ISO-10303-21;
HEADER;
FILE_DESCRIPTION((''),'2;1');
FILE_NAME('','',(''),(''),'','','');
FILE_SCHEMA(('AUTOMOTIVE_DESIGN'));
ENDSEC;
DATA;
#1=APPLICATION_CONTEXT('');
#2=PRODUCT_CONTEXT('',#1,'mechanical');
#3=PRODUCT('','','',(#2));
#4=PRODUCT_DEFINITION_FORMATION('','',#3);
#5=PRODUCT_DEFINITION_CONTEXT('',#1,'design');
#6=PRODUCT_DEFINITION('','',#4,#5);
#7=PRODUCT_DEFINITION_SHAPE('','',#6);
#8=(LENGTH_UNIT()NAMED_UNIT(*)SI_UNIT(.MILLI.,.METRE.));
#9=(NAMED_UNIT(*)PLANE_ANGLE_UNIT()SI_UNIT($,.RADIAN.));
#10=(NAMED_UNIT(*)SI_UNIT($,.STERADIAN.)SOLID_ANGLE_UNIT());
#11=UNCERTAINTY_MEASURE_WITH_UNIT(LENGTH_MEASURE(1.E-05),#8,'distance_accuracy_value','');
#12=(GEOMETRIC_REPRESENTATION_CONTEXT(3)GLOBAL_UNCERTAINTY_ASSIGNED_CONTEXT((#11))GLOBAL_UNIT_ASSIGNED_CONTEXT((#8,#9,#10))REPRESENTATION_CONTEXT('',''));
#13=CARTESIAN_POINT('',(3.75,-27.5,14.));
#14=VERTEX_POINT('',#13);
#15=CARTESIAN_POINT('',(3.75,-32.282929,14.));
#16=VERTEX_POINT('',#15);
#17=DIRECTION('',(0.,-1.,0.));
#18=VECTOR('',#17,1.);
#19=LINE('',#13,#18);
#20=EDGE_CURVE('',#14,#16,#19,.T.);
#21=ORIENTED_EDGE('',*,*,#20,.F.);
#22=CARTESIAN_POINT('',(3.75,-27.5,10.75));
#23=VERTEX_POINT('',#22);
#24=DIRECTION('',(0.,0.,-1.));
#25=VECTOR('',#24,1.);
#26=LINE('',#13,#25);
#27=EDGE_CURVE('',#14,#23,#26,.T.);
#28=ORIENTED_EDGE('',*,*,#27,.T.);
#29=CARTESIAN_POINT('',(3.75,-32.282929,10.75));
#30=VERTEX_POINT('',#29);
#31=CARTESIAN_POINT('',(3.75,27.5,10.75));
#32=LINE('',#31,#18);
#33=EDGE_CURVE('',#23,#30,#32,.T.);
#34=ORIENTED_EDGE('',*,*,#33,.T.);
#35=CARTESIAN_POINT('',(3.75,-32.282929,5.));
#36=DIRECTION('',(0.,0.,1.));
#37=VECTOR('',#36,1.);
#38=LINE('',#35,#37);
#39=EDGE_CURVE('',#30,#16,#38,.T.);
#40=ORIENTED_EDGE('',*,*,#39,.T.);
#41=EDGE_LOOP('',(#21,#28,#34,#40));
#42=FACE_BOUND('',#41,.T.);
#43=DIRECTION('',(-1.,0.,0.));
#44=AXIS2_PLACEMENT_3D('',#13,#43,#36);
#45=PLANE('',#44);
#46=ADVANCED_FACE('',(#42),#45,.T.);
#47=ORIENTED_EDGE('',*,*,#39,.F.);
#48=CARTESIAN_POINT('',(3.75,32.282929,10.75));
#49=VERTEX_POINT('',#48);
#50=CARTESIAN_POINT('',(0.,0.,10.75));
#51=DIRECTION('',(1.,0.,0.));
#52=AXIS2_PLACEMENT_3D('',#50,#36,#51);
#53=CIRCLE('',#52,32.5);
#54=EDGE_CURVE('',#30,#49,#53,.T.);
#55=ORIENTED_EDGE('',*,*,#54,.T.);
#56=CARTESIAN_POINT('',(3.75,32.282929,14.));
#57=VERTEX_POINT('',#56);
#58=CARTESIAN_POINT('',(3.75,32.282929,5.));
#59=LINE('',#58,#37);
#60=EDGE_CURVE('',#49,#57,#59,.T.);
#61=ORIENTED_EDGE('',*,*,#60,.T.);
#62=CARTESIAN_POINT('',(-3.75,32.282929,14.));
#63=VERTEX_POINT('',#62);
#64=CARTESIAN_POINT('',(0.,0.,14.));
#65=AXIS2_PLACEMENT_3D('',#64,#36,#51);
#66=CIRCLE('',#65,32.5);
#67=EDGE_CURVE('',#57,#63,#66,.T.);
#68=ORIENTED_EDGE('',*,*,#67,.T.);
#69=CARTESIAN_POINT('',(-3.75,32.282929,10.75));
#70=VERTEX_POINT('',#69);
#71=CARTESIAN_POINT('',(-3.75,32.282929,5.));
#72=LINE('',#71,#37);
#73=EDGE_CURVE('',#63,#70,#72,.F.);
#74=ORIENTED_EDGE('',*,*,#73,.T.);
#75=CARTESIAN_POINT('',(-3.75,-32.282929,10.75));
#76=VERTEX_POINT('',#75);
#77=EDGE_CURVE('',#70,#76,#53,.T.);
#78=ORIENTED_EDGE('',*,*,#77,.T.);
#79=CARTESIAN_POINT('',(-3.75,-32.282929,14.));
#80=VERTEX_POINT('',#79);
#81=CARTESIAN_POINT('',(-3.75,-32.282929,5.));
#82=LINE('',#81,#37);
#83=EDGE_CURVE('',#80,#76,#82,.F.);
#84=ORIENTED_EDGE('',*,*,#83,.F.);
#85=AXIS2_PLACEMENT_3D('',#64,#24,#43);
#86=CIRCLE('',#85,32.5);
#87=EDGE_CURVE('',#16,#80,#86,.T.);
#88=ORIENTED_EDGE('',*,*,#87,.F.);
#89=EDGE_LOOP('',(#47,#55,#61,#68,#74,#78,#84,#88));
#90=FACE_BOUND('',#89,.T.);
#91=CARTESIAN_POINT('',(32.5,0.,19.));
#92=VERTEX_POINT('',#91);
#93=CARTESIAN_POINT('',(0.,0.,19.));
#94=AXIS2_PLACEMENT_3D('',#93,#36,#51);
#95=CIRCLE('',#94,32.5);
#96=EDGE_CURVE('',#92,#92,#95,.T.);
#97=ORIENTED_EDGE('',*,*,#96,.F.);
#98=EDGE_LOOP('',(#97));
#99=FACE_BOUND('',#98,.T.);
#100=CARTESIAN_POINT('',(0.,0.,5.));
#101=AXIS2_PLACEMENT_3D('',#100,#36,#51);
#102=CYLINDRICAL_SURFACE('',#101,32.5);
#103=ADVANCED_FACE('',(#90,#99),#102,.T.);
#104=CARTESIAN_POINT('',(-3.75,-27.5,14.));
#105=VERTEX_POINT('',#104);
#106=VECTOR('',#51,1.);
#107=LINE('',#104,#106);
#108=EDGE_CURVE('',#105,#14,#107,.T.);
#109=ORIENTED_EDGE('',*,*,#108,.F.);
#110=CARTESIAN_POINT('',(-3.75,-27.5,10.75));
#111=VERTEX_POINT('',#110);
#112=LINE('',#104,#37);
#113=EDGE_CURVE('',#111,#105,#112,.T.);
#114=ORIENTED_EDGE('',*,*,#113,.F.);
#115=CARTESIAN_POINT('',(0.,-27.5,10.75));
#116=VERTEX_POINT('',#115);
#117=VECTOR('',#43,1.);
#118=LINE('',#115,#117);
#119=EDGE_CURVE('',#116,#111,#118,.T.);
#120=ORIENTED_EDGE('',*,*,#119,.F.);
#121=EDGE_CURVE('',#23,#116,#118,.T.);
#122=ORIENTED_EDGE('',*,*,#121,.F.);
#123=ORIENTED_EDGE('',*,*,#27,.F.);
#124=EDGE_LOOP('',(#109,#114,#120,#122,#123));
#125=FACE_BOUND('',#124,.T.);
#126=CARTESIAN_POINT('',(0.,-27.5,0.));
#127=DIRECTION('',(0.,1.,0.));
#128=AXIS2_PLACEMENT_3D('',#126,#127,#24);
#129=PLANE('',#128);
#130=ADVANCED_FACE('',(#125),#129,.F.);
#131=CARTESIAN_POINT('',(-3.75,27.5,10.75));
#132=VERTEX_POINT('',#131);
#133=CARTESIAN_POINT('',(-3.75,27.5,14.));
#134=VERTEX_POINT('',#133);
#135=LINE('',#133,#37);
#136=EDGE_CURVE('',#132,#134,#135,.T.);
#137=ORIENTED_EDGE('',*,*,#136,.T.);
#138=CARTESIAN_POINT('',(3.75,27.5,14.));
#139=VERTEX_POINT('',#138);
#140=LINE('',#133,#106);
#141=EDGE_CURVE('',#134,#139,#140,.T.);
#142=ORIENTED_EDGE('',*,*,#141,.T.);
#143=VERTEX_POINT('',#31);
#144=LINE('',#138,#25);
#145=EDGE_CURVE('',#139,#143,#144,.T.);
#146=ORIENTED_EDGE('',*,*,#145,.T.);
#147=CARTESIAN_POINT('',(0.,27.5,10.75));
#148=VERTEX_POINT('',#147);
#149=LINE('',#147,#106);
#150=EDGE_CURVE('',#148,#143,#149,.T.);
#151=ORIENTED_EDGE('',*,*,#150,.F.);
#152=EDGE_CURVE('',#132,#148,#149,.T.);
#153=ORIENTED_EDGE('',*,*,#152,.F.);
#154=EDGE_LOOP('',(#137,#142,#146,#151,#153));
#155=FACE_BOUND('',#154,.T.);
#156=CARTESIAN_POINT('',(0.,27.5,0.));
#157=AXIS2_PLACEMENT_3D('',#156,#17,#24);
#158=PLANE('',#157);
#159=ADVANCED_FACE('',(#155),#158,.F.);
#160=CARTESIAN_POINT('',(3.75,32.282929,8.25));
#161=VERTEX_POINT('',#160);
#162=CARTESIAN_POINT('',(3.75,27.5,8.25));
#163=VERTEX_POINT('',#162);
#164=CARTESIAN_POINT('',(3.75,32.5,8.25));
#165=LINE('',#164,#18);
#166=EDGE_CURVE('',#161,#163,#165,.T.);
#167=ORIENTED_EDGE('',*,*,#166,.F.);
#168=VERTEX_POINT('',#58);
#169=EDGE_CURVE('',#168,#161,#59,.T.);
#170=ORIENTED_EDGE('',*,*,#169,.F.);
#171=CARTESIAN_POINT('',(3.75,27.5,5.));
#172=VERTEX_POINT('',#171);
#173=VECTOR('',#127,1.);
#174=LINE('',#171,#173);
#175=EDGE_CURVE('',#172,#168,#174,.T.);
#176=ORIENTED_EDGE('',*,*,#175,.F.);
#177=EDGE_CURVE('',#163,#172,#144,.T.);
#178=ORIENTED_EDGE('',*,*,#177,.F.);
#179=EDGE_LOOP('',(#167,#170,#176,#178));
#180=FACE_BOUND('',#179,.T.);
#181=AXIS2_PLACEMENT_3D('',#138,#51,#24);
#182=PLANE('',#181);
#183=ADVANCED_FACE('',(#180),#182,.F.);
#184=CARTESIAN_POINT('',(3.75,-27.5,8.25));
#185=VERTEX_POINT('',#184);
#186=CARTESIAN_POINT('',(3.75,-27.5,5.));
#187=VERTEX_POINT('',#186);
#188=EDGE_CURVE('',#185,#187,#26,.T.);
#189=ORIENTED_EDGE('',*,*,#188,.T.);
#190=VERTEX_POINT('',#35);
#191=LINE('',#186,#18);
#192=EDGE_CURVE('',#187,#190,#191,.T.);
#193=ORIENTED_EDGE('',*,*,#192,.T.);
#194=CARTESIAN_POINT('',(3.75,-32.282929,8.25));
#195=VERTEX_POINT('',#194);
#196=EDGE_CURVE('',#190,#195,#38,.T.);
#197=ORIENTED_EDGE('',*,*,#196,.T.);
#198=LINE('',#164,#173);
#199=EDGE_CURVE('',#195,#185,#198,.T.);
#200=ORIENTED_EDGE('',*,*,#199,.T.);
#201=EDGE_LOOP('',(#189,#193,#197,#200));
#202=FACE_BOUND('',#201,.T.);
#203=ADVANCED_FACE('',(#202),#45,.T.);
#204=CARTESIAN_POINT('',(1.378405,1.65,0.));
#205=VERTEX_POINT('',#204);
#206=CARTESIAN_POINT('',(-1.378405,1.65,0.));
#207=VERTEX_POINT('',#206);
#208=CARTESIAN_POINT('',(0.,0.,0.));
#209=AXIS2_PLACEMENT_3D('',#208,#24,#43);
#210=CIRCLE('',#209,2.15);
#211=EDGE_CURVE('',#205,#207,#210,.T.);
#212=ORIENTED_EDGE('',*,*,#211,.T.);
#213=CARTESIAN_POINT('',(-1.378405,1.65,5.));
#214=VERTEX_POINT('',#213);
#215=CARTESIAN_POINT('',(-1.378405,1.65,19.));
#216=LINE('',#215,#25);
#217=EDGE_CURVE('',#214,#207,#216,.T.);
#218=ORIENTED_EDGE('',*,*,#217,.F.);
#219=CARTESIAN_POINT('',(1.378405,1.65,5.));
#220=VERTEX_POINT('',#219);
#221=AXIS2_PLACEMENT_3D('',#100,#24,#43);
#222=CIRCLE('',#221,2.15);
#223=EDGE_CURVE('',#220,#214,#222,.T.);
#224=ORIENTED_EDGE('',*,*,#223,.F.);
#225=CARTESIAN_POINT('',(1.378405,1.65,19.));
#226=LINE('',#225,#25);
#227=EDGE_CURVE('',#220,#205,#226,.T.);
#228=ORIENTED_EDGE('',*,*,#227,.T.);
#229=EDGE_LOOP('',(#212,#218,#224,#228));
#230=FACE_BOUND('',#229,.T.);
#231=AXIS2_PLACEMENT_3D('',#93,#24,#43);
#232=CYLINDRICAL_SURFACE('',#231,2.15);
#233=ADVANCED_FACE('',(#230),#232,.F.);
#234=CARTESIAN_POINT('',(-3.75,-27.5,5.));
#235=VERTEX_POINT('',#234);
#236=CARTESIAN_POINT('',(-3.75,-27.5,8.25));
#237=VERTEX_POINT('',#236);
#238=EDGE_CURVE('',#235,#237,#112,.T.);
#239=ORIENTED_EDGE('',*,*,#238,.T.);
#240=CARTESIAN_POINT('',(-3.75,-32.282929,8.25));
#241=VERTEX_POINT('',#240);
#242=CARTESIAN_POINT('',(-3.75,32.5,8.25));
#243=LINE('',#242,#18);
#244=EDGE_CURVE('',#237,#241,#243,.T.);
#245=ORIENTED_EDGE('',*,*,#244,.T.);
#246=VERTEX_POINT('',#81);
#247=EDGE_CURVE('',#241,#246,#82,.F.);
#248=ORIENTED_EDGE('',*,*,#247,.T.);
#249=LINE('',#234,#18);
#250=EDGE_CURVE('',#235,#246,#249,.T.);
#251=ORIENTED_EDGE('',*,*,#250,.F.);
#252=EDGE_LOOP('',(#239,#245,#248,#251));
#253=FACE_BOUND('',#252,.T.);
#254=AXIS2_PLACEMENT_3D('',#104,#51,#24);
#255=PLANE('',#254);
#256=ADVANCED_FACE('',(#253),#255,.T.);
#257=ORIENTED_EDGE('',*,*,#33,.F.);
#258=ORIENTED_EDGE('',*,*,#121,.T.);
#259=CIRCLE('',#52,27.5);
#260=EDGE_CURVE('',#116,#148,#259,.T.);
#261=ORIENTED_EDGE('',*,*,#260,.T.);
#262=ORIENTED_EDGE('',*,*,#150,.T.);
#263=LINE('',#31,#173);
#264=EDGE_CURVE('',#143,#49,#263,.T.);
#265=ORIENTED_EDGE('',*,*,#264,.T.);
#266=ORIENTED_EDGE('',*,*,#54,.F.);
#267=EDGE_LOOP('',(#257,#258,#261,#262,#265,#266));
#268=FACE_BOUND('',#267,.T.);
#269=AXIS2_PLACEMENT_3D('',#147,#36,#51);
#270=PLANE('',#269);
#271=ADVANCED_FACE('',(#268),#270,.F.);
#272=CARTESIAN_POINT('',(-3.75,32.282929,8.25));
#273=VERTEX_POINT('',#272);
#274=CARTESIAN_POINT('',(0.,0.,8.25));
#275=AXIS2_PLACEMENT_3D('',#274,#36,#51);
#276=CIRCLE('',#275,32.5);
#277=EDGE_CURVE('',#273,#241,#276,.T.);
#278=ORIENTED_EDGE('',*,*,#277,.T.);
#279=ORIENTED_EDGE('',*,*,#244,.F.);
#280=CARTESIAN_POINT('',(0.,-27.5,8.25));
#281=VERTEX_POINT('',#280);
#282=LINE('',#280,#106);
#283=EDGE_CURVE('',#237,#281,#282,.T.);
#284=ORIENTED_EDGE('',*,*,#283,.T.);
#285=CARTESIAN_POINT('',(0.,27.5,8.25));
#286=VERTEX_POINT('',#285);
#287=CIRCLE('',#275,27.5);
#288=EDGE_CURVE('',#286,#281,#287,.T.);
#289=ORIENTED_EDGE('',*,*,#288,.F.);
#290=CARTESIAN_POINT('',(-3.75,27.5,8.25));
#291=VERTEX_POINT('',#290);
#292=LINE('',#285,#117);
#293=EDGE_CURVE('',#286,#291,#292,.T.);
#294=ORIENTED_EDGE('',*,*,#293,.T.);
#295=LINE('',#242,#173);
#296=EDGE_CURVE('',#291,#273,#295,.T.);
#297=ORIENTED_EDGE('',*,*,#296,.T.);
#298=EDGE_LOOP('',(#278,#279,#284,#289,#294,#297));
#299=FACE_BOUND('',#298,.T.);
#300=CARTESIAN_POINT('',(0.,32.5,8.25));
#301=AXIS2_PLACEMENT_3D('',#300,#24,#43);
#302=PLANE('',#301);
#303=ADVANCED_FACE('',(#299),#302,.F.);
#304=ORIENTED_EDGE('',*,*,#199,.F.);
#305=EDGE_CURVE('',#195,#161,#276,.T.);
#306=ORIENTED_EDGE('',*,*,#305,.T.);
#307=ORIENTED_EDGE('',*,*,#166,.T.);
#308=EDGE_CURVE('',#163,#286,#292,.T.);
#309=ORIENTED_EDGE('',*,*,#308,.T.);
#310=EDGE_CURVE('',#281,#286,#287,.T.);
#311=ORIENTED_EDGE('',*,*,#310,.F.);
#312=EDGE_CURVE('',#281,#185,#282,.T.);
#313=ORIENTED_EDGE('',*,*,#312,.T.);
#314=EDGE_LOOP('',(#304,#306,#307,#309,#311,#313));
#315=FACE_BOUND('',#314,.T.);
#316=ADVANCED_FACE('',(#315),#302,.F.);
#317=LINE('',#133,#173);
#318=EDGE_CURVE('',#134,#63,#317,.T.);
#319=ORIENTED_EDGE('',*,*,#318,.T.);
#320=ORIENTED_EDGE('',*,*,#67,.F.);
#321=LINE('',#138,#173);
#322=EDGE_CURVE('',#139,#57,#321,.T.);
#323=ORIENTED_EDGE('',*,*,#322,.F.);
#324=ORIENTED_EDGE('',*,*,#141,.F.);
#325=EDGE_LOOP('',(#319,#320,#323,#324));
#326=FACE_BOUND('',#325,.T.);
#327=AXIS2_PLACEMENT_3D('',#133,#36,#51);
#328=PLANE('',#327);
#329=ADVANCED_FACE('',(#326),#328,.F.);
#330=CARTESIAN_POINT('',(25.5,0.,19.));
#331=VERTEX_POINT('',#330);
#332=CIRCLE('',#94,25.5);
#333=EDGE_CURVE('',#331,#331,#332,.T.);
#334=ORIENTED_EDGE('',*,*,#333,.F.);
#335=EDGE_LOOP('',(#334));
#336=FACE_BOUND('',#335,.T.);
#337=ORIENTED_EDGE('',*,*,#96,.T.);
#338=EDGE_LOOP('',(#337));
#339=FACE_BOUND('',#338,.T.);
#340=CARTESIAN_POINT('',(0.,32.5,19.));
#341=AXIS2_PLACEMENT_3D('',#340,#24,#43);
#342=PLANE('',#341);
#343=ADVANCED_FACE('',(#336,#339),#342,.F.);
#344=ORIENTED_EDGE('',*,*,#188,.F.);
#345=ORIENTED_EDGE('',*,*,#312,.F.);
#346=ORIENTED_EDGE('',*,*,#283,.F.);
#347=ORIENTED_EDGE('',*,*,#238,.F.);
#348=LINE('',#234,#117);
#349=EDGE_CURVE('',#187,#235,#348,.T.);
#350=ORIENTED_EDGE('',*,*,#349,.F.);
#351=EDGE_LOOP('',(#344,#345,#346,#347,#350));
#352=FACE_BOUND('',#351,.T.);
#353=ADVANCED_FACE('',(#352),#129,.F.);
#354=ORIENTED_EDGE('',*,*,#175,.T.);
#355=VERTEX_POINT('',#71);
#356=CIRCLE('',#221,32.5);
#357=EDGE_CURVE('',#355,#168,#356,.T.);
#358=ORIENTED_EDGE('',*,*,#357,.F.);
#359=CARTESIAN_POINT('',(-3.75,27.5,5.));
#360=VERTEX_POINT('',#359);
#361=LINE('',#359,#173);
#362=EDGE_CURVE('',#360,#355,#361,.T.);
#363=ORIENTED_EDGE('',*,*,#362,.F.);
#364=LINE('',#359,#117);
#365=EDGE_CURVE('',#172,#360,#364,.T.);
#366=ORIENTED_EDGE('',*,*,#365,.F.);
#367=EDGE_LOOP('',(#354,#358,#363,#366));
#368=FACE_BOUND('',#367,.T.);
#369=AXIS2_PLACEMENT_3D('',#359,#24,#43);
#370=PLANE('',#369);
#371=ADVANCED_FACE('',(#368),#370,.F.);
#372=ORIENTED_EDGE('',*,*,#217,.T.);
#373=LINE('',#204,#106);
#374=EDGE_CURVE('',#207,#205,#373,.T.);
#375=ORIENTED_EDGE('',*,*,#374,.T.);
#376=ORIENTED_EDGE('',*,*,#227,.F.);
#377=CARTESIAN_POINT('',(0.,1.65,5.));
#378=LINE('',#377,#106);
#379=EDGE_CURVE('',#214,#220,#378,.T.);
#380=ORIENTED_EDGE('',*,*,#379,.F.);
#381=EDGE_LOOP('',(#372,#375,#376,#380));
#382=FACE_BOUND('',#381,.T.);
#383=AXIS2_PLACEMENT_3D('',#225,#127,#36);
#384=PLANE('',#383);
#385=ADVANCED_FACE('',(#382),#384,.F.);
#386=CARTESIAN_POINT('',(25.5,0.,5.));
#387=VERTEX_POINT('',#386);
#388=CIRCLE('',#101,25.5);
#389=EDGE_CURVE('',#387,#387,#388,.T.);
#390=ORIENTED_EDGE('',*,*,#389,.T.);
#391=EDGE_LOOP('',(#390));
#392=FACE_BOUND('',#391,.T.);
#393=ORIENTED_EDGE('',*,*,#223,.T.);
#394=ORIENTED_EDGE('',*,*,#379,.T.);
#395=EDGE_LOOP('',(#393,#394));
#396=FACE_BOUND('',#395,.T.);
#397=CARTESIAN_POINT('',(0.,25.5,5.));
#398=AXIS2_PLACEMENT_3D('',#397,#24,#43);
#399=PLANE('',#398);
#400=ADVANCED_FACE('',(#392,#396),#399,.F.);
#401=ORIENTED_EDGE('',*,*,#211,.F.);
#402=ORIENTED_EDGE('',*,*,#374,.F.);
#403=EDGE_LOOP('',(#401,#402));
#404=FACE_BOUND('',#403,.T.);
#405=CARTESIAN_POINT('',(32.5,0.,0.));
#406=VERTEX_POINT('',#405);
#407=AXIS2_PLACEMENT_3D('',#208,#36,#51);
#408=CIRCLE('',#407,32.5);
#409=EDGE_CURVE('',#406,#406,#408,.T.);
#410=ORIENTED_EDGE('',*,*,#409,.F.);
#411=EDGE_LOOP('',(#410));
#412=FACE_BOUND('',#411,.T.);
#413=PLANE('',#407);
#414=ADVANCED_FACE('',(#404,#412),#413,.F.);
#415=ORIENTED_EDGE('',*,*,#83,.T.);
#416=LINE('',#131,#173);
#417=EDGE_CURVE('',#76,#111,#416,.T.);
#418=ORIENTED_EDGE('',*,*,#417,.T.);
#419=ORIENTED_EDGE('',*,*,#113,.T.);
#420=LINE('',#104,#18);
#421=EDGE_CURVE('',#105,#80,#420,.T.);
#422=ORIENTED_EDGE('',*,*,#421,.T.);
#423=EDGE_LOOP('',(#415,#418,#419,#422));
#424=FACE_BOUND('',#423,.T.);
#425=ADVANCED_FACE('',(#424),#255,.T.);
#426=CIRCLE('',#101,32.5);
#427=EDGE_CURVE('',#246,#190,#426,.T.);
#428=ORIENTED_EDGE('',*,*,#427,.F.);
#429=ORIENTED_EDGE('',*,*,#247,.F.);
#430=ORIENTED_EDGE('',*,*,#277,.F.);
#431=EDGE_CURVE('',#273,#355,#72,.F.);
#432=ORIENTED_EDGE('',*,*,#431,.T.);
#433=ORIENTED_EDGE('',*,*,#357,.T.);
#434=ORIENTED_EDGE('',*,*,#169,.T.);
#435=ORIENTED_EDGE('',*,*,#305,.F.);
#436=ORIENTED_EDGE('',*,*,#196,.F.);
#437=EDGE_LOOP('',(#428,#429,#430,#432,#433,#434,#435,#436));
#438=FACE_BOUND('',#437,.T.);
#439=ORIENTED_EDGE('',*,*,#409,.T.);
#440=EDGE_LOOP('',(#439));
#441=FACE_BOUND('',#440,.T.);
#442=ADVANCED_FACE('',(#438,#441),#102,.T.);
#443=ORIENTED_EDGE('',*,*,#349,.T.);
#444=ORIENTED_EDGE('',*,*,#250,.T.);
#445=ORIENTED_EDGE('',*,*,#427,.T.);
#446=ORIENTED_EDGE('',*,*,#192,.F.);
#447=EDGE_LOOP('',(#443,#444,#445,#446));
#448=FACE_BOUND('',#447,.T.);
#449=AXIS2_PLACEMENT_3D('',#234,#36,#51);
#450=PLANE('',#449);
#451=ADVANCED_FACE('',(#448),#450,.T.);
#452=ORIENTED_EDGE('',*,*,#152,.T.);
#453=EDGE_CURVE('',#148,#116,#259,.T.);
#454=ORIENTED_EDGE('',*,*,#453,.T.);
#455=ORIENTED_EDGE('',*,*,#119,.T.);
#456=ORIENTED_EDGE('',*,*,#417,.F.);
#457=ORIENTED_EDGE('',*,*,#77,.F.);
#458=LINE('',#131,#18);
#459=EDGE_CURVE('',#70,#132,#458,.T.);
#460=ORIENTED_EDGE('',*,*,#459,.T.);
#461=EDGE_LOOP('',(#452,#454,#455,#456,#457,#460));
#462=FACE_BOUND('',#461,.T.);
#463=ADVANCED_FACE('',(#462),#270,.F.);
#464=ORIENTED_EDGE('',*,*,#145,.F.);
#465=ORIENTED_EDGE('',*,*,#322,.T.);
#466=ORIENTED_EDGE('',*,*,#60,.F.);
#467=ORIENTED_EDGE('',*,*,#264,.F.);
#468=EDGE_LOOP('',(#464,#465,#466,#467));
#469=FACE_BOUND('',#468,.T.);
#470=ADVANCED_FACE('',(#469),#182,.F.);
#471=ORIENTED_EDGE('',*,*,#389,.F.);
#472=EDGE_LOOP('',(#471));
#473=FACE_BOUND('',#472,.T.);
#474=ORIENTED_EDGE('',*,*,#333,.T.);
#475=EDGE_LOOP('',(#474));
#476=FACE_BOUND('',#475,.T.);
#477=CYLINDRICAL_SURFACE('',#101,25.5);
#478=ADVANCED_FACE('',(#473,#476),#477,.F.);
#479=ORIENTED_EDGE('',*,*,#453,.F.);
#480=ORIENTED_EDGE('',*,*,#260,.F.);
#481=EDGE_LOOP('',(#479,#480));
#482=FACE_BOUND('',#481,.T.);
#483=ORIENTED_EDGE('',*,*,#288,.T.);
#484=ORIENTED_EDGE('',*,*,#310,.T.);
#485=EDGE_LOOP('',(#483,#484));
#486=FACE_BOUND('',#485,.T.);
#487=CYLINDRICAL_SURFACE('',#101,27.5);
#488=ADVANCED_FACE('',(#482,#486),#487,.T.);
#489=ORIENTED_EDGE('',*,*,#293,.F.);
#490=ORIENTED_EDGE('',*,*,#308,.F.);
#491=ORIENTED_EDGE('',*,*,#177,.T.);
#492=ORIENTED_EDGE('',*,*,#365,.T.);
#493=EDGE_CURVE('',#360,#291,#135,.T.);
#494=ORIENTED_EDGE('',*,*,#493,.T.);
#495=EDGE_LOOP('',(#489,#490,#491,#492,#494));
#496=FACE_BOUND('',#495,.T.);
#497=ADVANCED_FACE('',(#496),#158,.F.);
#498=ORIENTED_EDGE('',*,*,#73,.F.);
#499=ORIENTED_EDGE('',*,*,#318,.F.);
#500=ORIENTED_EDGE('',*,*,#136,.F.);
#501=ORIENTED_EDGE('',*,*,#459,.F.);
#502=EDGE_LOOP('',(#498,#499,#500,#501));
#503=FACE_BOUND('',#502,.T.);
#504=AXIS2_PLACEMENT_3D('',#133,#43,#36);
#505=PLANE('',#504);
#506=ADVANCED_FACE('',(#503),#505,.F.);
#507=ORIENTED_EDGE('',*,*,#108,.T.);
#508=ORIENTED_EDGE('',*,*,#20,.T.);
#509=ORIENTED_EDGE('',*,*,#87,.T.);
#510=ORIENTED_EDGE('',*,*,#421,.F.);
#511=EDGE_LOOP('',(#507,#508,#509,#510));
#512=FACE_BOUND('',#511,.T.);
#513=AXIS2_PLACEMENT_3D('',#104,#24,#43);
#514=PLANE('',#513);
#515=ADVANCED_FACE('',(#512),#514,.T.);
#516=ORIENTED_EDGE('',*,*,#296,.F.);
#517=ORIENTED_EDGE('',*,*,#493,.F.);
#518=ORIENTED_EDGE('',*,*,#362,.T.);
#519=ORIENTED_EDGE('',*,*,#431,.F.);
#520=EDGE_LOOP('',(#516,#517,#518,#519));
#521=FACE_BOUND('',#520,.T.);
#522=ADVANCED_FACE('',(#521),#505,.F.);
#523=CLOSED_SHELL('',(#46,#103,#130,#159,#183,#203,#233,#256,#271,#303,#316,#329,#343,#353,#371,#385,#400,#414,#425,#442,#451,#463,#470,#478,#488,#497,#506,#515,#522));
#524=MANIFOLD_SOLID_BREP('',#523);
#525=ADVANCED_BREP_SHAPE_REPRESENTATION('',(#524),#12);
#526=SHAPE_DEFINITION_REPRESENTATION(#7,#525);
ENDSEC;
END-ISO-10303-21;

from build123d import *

# Parameters (mm, degrees)
SKETCH7_W          = 7.5
SKETCH7_H          = 9
CUT_EXTRUDE1_DEPTH = 5
SHAFT_HOLE_DEPTH   = 50.734294003


with BuildPart() as part:
    # Sketch2 → Revolve1 (revolve)
    with BuildSketch(Plane(origin=(0, 0, 0), x_dir=(0, 0, -1), z_dir=(1, 0, 0)), mode=Mode.PRIVATE) as revolve1_sk:
        Polygon((0, 0), (0, 32.5), (-8.25, 32.5), (-8.25, 27.5), (-10.75, 27.5), (-10.75, 32.5), (-19, 32.5), (-19, 25.5), (-5, 25.5), (-5, 0), align=None)
    revolve(revolve1_sk.sketch.rotate(Axis((0, 0, 5), (0, 0, -1)), 90), axis=Axis((0, 0, 5), (0, 0, -1)))

    # Sketch7 → Cut-Extrude1 (cut)
    with BuildSketch(Plane(origin=(0, 32.5, 0), x_dir=(1, 0, 0), z_dir=(0, 1, 0))):
        with Locations((0, -9.5)):
            Rectangle(SKETCH7_W, SKETCH7_H)
    cut_extrude1 = extrude(amount=-CUT_EXTRUDE1_DEPTH, mode=Mode.SUBTRACT)

    # Mirror1: Cut-Extrude1 across plane
    add(cut_extrude1.mirror(Plane.ZX), mode=Mode.SUBTRACT)

    # Sketch8 → Shaft Hole (cut, through all)
    with BuildSketch(Plane(origin=(0, 0, 0), x_dir=(-1, 0, 0), z_dir=(0, 0, -1))):
        with BuildLine():
            Line((-1.378404875, 1.65), (1.378404875, 1.65))
            ThreePointArc((1.378404875, 1.65), (0, -2.15), (-1.378404875, 1.65))
        make_face()
    extrude(amount=-SHAFT_HOLE_DEPTH, mode=Mode.SUBTRACT)


solid = part.part
